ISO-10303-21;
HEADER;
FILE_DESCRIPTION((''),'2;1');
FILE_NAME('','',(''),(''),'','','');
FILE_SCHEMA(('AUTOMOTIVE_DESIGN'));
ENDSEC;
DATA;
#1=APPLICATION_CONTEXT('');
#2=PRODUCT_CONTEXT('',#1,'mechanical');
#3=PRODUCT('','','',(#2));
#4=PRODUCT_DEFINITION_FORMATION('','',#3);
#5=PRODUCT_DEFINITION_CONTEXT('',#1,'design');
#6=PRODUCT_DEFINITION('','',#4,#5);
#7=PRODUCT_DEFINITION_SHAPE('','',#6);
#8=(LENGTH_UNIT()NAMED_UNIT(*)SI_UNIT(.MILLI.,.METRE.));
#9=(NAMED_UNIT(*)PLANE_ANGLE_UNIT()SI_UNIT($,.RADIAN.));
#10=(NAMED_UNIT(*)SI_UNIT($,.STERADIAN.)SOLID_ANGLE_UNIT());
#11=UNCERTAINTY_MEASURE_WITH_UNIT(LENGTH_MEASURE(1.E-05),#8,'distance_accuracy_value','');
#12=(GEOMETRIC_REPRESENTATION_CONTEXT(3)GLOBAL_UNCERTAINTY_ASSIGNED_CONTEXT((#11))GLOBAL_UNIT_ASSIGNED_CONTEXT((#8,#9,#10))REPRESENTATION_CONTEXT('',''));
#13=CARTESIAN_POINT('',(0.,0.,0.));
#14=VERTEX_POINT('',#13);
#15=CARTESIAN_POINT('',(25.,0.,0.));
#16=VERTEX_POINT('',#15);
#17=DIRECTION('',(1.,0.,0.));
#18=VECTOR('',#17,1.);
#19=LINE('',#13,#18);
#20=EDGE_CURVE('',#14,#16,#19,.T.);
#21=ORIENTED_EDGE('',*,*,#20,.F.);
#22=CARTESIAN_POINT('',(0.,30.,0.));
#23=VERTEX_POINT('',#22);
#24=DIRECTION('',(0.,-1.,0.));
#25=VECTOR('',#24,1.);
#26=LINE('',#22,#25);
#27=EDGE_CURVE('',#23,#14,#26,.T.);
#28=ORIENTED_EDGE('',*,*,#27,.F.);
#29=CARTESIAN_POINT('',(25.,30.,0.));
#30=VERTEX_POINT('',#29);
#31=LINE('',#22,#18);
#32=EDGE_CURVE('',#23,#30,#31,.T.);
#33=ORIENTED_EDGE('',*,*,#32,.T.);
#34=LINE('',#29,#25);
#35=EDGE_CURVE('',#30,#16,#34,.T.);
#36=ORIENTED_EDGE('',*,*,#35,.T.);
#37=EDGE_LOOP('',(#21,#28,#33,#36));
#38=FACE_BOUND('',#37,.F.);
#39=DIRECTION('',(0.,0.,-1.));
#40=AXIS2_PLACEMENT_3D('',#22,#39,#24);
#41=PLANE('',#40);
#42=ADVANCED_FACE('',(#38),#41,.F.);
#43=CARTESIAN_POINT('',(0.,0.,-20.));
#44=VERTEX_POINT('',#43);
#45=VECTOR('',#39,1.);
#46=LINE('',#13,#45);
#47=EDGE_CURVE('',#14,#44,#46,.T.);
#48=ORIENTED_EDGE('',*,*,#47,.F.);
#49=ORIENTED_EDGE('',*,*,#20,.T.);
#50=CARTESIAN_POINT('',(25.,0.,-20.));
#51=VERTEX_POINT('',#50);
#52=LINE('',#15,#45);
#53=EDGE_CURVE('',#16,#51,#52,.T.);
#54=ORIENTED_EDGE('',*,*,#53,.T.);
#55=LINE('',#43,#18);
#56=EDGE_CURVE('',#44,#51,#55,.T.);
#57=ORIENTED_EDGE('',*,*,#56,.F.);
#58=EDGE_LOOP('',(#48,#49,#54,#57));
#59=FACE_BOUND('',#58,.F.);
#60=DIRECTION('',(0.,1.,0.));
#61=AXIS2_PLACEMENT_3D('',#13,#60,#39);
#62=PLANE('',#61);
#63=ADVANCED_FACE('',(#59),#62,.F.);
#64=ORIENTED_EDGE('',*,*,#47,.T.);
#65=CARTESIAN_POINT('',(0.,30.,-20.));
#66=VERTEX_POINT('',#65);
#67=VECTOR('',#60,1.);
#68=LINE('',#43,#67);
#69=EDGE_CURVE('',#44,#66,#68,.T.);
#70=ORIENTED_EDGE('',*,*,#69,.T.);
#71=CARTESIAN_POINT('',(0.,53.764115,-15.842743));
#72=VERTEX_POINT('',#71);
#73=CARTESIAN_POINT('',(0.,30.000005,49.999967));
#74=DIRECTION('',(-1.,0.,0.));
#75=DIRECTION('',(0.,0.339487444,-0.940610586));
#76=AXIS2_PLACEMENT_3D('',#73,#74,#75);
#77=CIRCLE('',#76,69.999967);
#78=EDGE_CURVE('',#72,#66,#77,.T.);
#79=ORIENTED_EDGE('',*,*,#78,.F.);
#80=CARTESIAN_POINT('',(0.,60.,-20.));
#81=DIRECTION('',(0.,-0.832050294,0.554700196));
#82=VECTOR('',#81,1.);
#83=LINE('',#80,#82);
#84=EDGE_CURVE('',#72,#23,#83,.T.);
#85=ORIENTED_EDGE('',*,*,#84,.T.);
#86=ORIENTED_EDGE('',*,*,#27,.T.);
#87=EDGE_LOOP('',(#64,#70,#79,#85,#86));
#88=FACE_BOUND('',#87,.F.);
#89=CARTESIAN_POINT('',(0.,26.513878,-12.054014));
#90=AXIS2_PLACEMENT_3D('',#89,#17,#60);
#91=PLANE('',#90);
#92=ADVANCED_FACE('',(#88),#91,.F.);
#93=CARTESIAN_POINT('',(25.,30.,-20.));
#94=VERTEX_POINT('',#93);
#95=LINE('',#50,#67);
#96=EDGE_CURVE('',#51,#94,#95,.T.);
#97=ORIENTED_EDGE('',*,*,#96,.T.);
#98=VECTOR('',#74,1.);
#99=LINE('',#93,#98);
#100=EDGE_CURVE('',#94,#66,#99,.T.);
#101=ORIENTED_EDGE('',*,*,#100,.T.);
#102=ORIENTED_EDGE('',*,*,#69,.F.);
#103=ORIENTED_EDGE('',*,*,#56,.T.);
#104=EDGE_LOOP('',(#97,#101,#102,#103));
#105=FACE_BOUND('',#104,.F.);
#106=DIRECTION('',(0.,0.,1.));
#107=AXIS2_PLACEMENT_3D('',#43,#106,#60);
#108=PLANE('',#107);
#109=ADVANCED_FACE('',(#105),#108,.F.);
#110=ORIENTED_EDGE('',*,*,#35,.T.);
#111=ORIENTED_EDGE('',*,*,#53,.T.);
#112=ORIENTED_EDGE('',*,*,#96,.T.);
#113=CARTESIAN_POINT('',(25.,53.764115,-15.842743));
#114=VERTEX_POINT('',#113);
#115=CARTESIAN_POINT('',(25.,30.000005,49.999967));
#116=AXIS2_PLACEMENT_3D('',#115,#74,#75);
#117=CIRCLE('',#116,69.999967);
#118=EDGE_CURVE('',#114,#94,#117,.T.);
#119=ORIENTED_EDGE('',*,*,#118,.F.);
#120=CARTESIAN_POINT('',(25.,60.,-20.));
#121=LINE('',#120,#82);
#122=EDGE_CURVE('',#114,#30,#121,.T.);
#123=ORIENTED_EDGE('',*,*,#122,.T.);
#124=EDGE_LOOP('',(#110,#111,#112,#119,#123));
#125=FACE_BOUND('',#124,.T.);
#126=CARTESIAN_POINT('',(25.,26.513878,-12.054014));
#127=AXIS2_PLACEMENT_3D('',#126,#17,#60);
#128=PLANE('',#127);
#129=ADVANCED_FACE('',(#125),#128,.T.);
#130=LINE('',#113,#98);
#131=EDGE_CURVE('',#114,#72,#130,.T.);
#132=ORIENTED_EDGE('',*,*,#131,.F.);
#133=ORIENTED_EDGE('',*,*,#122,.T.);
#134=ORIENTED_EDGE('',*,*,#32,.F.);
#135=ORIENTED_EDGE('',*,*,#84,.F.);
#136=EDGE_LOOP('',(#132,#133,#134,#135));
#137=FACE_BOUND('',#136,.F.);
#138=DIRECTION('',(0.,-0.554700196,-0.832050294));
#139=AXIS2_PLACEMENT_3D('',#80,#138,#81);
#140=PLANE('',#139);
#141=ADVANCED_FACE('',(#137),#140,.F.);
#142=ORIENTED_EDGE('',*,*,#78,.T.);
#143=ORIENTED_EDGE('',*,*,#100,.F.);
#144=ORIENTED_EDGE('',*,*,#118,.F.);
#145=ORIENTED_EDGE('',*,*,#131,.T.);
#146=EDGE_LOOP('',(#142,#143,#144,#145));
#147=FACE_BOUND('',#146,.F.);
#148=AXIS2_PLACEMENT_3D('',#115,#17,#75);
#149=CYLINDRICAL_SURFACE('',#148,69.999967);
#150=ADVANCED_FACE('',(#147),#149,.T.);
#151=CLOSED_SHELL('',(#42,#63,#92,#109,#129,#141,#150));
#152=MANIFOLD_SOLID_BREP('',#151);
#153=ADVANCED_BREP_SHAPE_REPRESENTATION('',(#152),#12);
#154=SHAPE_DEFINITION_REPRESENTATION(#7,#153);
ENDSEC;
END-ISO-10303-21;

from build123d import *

# Parameters (mm, degrees)
F1_DEPTH = 25
F3_DEPTH = 25


with BuildPart() as f1:
    # F0 (on Right) → F1 (new body)
    with BuildSketch(Plane.YZ):
        Polygon((30, 0), (0, 0), (0, -20), (60, -20), align=None)
    extrude(amount=F1_DEPTH)

    # F2 (on face) → F3 (cut)
    with BuildSketch(Plane.YZ.offset(25)):
        with BuildLine():
            Line((30, -20), (0, -20))
            Line((0, -20), (0, -28))
            Line((0, -28), (72, -28))
            Line((72, -28), (53.764115, -15.842743))
            ThreePointArc((53.764115, -15.842743), (42.062503, -18.952854), (30, -20))
        make_face()
    extrude(amount=-F3_DEPTH, mode=Mode.SUBTRACT)


solid = f1.part
